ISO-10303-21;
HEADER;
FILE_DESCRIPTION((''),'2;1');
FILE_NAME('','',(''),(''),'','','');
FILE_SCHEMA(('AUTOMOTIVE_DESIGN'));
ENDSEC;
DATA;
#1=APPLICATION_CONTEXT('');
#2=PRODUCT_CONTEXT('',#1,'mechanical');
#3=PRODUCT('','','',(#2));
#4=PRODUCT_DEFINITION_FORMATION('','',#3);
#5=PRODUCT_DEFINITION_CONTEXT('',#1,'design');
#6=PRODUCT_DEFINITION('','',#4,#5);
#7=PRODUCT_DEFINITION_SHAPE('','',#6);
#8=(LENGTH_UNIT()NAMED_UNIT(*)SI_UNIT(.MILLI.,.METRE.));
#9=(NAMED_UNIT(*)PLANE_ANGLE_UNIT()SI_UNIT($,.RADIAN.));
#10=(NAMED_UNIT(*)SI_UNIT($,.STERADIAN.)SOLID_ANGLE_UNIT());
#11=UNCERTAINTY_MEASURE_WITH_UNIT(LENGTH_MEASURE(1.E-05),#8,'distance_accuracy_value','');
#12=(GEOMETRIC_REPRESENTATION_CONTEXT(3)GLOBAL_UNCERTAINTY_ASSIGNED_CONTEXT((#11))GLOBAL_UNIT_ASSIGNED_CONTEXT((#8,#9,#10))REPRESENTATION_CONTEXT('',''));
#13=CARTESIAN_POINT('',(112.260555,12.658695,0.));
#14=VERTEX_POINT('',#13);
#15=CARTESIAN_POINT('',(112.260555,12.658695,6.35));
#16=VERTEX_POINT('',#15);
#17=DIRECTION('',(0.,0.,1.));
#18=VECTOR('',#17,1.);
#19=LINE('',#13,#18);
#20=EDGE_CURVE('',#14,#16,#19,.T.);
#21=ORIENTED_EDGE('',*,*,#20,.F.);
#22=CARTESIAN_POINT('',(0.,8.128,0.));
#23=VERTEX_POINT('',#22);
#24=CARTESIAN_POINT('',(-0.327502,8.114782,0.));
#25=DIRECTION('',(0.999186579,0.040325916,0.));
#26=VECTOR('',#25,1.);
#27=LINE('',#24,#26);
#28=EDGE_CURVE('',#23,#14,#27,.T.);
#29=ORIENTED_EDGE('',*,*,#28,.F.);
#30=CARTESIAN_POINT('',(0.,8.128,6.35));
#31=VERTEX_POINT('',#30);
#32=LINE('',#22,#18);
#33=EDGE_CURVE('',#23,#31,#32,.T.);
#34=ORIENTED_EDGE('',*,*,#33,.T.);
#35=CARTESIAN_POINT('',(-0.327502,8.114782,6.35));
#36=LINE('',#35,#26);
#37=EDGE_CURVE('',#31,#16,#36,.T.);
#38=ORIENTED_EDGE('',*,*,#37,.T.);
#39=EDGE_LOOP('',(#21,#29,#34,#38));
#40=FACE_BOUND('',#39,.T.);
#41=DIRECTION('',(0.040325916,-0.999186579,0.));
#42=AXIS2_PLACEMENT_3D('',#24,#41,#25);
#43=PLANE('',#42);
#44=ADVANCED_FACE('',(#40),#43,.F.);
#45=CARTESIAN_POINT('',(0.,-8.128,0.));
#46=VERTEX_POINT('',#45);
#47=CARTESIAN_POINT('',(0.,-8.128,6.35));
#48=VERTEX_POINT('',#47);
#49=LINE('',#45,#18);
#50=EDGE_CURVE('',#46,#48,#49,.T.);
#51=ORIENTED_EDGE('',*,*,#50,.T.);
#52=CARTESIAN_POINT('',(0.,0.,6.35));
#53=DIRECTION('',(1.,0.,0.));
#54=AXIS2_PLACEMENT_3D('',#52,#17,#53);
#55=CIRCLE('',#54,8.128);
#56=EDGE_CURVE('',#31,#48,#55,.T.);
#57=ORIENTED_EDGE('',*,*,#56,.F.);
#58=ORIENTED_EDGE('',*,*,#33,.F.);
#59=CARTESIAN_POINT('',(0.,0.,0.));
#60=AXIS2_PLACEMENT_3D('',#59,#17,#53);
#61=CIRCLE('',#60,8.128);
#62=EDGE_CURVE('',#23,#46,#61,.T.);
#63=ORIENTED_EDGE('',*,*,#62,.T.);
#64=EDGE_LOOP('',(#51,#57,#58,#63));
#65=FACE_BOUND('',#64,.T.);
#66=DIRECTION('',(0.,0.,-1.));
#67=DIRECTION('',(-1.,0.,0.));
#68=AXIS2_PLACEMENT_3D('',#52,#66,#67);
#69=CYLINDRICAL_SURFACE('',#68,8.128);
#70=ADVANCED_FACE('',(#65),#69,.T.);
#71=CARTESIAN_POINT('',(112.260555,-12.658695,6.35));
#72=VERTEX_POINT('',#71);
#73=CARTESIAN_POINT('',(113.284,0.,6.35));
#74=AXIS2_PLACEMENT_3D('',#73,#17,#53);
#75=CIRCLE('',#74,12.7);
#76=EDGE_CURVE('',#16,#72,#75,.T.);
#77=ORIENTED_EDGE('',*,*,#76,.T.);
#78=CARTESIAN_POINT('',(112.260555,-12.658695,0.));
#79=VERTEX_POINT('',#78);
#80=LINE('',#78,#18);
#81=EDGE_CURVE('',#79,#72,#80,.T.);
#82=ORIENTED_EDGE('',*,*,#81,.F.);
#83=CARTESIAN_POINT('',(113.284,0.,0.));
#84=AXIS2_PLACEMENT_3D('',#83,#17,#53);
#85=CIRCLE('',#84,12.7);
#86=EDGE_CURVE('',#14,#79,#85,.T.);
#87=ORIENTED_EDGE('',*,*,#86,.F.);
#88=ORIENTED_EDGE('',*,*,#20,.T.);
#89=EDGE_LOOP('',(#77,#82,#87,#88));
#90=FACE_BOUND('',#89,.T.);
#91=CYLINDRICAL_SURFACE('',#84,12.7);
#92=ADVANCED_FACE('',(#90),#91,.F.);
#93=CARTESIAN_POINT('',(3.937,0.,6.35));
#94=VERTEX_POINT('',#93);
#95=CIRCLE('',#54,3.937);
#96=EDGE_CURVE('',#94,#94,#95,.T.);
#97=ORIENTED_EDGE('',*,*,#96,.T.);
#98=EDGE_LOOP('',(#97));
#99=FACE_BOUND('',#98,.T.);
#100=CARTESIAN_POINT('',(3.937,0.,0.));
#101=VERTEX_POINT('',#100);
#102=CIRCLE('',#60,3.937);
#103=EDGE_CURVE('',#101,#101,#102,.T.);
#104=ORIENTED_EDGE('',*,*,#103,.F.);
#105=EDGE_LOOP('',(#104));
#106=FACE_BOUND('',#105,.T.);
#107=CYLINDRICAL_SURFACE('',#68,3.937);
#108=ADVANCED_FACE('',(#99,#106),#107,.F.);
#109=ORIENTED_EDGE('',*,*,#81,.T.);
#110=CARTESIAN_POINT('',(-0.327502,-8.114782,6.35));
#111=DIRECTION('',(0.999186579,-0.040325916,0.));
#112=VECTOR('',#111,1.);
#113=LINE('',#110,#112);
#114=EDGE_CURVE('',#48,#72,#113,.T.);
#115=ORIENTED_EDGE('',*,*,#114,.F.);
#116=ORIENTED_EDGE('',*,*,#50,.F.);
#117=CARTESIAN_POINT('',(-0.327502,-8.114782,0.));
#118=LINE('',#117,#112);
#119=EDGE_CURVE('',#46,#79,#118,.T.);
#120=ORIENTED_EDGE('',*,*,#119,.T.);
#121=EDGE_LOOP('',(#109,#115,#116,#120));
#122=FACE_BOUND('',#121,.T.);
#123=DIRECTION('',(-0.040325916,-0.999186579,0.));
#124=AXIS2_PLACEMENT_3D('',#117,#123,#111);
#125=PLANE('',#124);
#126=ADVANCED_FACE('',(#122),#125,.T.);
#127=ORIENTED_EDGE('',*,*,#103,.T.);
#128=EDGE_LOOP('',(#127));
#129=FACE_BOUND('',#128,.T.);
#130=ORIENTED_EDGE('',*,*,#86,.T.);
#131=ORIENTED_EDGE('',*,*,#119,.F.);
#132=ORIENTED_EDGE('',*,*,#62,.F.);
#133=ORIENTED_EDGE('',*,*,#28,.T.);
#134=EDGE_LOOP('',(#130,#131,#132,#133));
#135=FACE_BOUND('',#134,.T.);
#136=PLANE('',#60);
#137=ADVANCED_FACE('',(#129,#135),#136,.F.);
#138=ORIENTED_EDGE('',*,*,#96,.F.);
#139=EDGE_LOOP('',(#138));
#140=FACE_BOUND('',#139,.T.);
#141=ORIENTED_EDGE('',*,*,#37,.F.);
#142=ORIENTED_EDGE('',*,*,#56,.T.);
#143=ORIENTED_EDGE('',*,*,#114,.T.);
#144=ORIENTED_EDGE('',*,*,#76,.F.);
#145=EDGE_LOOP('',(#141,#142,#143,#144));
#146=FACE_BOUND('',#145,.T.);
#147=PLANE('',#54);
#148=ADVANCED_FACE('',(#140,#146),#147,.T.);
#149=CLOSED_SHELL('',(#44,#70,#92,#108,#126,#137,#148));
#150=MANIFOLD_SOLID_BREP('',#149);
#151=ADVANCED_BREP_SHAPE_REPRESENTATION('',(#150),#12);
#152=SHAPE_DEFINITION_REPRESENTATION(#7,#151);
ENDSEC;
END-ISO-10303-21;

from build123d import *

# Parameters (mm, degrees)
SKETCH1_R           = 8.128
SKETCH1_R_2         = 3.937
BOSS_EXTRUDE1_DEPTH = 6.35
BOSS_EXTRUDE2_DEPTH = 6.35


with BuildPart() as part:
    # Sketch1 → Boss-Extrude1 (new body)
    with BuildSketch(Plane.XY):
        Circle(SKETCH1_R)
        Circle(SKETCH1_R_2, mode=Mode.SUBTRACT)
    extrude(amount=BOSS_EXTRUDE1_DEPTH)

    # Sketch2 → Boss-Extrude2 (add)
    with BuildSketch(Plane.XY.offset(6.35)):
        with BuildLine():
            Line((112.260554909, 12.658695041), (0, 8.128))
            ThreePointArc((0, 8.128), (5.747363917, 5.747363917), (8.128, 0))
            ThreePointArc((8.128, 0), (5.747363917, -5.747363917), (0, -8.128))
            Line((0, -8.128), (112.260554909, -12.658695041))
            ThreePointArc((112.260554909, -12.658695041), (100.584, 0), (112.260554909, 12.658695041))
        make_face()
    extrude(amount=-BOSS_EXTRUDE2_DEPTH)


solid = part.part
